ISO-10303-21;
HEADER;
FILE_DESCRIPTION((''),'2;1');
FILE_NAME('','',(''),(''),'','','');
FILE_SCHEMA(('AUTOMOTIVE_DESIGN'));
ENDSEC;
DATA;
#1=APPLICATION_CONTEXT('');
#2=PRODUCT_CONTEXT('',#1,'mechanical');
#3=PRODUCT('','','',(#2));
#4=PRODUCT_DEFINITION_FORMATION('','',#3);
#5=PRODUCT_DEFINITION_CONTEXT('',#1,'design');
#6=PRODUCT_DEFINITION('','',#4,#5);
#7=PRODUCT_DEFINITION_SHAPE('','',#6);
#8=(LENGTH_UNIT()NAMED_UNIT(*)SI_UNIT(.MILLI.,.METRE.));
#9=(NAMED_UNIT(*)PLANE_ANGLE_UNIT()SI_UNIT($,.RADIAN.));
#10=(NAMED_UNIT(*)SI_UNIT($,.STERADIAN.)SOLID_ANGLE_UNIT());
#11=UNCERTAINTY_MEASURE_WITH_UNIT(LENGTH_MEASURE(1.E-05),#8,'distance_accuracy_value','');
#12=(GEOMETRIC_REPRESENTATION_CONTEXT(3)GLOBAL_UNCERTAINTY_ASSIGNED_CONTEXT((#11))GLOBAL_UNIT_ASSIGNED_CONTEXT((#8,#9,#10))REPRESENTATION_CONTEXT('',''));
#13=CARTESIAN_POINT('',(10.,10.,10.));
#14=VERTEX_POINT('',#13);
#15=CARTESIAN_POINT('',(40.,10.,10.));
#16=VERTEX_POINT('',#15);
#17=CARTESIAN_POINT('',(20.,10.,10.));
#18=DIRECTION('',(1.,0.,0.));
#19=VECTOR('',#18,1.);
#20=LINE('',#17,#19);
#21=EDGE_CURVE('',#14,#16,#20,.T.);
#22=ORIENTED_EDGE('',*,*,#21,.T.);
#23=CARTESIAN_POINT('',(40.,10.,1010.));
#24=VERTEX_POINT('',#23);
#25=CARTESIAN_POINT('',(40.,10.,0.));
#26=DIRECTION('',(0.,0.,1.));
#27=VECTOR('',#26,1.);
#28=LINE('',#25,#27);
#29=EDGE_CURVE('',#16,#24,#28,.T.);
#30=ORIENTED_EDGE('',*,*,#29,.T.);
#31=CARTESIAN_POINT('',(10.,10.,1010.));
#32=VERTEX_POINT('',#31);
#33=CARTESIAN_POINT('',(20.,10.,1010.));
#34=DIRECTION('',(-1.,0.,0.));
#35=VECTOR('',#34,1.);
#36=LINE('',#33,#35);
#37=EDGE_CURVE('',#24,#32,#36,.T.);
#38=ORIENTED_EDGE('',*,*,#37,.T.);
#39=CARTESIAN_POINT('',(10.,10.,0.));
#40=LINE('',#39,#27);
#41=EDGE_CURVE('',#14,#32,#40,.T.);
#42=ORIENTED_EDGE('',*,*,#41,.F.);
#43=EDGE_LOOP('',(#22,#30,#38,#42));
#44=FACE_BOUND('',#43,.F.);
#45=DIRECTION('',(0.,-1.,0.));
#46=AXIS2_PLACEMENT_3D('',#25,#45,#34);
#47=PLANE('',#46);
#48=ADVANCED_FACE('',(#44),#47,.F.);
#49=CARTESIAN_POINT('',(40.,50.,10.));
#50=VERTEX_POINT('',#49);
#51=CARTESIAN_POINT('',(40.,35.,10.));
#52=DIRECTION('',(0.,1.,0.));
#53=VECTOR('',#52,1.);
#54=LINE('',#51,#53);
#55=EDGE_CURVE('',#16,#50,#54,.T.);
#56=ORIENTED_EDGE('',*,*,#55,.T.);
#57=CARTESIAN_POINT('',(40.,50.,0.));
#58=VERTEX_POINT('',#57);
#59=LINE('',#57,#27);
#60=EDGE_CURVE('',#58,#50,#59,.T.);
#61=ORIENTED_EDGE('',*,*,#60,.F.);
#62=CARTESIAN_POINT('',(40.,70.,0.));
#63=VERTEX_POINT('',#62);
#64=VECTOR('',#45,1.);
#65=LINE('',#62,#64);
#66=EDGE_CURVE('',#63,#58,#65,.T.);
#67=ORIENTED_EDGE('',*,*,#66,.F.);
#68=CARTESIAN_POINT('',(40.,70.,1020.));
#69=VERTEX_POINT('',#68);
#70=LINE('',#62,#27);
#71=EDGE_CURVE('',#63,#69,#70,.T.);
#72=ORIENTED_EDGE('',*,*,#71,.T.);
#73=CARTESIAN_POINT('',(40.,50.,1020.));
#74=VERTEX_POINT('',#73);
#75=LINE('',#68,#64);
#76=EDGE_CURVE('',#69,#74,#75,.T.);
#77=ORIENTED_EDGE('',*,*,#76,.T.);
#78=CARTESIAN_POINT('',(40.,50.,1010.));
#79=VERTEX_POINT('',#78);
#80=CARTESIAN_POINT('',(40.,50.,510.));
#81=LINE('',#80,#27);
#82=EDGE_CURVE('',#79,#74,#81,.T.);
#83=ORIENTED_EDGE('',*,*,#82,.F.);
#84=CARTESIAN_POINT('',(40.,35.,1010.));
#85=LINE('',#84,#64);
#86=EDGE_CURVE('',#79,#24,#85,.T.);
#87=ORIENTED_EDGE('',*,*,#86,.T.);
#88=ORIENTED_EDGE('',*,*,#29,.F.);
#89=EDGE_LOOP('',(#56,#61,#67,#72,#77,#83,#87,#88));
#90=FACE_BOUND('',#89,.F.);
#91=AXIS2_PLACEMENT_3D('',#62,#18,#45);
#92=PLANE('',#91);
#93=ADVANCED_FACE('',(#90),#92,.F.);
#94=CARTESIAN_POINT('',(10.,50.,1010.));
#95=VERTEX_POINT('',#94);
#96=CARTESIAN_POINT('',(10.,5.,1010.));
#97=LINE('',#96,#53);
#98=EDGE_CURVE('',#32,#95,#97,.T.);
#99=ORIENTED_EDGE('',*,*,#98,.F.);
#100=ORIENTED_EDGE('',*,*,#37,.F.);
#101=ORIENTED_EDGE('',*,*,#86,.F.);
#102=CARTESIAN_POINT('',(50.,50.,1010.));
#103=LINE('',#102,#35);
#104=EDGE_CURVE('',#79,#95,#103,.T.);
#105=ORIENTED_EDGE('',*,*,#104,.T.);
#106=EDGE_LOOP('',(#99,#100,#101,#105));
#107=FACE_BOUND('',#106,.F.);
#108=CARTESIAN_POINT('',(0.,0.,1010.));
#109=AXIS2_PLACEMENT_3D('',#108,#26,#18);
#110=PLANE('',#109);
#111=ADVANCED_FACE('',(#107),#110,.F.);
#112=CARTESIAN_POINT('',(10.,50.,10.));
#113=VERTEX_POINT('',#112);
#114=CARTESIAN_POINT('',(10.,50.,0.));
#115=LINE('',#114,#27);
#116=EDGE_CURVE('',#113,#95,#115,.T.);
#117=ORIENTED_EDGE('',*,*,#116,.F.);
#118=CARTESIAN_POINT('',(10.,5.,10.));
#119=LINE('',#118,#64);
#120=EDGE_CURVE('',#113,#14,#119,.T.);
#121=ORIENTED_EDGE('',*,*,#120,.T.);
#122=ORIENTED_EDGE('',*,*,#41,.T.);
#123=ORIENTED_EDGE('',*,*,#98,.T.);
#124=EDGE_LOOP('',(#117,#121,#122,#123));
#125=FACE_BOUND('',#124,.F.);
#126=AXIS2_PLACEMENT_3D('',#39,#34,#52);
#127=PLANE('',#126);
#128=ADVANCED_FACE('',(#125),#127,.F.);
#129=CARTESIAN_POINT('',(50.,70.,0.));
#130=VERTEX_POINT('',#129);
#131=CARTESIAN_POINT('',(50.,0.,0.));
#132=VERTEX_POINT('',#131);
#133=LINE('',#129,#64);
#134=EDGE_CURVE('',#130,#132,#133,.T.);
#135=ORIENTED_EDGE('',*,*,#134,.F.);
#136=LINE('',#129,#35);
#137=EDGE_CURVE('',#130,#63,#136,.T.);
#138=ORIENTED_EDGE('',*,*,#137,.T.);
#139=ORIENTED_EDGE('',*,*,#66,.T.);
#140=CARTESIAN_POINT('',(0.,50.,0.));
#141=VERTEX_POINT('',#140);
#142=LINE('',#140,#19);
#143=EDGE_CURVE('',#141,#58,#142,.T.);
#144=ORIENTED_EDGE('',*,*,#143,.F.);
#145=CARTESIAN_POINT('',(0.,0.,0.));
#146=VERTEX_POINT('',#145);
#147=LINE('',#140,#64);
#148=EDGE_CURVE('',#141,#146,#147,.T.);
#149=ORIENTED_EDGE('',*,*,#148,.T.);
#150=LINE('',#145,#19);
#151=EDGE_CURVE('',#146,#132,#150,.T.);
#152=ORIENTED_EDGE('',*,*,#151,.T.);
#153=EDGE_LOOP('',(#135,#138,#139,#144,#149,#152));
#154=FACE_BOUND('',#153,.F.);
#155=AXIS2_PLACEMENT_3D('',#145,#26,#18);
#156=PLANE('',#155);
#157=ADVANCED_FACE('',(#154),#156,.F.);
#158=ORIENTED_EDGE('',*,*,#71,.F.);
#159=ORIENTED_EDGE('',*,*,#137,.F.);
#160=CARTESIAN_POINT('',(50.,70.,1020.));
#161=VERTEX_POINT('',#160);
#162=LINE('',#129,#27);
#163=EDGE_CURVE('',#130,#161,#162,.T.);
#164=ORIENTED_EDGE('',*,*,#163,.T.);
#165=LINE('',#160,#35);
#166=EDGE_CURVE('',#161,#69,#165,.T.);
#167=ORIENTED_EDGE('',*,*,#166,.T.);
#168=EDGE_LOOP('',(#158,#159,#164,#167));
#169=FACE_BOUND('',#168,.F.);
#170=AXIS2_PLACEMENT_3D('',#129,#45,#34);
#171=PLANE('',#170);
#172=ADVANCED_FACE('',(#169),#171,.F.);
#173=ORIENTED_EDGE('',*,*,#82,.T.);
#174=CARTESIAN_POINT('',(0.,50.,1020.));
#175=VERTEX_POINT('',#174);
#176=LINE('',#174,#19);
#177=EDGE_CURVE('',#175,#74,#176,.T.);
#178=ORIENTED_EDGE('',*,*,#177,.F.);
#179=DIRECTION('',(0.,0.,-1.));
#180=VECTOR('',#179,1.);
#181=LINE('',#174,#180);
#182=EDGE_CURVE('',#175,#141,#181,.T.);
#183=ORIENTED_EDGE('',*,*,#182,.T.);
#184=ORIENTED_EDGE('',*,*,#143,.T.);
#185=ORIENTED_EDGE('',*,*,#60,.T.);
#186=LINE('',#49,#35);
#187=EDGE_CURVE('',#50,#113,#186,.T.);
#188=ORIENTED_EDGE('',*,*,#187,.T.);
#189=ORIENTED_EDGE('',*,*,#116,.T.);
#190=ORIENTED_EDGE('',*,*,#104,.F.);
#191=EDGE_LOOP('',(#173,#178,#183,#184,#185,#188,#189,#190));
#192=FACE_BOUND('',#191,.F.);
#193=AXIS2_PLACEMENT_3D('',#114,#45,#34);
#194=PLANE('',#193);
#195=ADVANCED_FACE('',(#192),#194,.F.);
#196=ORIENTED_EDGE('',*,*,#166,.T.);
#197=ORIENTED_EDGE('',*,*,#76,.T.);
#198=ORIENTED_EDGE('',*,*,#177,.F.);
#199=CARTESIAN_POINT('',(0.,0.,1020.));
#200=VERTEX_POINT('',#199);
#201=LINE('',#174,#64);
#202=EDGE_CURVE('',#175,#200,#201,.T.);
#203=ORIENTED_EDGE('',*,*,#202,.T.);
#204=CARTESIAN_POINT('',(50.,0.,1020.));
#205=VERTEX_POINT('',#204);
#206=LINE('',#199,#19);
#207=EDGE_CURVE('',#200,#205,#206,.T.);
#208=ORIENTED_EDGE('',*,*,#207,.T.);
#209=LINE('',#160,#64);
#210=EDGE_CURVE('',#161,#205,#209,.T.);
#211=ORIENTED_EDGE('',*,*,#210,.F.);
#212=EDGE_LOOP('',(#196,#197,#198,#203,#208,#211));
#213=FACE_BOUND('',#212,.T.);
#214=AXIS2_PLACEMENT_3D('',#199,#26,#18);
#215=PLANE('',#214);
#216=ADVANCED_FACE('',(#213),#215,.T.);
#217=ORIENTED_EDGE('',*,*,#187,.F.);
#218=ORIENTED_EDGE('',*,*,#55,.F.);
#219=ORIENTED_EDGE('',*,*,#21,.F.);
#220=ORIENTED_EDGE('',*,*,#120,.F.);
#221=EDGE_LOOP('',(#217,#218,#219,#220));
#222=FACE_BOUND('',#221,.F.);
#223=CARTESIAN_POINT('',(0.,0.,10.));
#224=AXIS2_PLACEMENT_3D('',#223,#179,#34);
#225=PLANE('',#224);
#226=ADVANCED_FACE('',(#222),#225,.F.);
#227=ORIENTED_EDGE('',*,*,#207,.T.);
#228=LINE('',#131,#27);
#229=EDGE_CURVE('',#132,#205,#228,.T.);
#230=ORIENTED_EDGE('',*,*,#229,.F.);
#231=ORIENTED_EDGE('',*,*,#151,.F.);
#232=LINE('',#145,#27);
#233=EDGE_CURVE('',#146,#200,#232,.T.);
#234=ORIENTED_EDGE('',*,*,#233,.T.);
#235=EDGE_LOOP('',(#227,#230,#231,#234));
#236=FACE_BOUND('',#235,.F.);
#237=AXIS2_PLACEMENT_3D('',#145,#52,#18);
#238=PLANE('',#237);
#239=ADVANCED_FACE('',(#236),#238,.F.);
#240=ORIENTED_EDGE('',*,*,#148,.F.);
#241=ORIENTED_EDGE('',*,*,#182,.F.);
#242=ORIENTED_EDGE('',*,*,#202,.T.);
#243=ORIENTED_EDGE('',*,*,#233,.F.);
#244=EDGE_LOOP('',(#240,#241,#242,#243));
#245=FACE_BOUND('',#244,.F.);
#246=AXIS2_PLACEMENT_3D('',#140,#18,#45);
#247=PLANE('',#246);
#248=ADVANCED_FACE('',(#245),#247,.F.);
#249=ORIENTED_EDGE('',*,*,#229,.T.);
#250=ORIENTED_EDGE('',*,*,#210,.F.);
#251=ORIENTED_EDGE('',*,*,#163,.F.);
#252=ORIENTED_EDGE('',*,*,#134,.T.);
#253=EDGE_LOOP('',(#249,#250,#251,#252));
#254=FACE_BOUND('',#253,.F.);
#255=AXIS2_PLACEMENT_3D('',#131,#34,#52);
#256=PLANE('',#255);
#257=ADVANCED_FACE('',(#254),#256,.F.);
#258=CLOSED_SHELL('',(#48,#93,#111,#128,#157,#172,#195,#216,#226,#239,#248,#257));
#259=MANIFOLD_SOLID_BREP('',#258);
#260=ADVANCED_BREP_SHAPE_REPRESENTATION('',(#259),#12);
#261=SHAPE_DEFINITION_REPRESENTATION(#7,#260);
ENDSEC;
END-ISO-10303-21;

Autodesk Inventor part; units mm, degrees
ref_plane "YZ Plane" through (0, 0, 0) normal (1, 0, 0) x (0, 1, 0)
ref_plane "XZ Plane" through (0, 0, 0) normal (0, 1, 0) x (-1, 0, 0)
ref_plane "XY Plane" through (0, 0, 0) normal (0, 0, 1) x (1, 0, 0)
sketch "Esboço1" plane through (0, 0, 0) normal (0, 0, 1) x (1, 0, 0)
  line L0 (0, 0) -> (50, 0)
  line L1 (50, 0) -> (50, 70)
  line L2 (50, 70) -> (40, 70)
  line L3 (40, 70) -> (40, 10)
  line L4 (40, 10) -> (10, 10)
  line L5 (10, 10) -> (10, 50)
  line L6 (10, 50) -> (0, 50)
  line L7 (0, 50) -> (0, 0)
  dimension "d0" = 10
  dimension "d1" = 10
  dimension "d2" = 10
  dimension "d3" = 50
  dimension "d4" = 50
  dimension "d5" = 70
extrude "Extrusão1" add sketch "Esboço1" along normal blind 1020
sketch "Esboço2" plane through (0, 0, 1020) normal (0, 0, 1) x (1, 0, 0)
  line L0 (0, 0) -> (50, 0) projected
  line L1 (0, 0) -> (50, 0)
  line L2 (50, 0) -> (50, 50)
  line L3 (50, 50) -> (0, 50)
  line L4 (10, 10) -> (10, 50) projected
  line L5 (0, 50) -> (0, 0) projected
  line L6 (0, 50) -> (0, 0)
extrude "Extrusão2" add sketch "Esboço2" against normal blind 10
sketch "Esboço3" plane through (0, 0, 0) normal (0, 0, -1) x (-1, 0, 0)
  line L0 (0, 0) -> (-50, 0) projected
  line L1 (-40, 50) -> (0, 50) projected
  line L2 (-50, 0) -> (0, 0)
  line L3 (0, 0) -> (0, 50)
  line L4 (0, 50) -> (-50, 50)
  line L5 (-50, 50) -> (-50, 0)
extrude "Extrusão3" add sketch "Esboço3" against normal blind 10
properties part number "calha"
